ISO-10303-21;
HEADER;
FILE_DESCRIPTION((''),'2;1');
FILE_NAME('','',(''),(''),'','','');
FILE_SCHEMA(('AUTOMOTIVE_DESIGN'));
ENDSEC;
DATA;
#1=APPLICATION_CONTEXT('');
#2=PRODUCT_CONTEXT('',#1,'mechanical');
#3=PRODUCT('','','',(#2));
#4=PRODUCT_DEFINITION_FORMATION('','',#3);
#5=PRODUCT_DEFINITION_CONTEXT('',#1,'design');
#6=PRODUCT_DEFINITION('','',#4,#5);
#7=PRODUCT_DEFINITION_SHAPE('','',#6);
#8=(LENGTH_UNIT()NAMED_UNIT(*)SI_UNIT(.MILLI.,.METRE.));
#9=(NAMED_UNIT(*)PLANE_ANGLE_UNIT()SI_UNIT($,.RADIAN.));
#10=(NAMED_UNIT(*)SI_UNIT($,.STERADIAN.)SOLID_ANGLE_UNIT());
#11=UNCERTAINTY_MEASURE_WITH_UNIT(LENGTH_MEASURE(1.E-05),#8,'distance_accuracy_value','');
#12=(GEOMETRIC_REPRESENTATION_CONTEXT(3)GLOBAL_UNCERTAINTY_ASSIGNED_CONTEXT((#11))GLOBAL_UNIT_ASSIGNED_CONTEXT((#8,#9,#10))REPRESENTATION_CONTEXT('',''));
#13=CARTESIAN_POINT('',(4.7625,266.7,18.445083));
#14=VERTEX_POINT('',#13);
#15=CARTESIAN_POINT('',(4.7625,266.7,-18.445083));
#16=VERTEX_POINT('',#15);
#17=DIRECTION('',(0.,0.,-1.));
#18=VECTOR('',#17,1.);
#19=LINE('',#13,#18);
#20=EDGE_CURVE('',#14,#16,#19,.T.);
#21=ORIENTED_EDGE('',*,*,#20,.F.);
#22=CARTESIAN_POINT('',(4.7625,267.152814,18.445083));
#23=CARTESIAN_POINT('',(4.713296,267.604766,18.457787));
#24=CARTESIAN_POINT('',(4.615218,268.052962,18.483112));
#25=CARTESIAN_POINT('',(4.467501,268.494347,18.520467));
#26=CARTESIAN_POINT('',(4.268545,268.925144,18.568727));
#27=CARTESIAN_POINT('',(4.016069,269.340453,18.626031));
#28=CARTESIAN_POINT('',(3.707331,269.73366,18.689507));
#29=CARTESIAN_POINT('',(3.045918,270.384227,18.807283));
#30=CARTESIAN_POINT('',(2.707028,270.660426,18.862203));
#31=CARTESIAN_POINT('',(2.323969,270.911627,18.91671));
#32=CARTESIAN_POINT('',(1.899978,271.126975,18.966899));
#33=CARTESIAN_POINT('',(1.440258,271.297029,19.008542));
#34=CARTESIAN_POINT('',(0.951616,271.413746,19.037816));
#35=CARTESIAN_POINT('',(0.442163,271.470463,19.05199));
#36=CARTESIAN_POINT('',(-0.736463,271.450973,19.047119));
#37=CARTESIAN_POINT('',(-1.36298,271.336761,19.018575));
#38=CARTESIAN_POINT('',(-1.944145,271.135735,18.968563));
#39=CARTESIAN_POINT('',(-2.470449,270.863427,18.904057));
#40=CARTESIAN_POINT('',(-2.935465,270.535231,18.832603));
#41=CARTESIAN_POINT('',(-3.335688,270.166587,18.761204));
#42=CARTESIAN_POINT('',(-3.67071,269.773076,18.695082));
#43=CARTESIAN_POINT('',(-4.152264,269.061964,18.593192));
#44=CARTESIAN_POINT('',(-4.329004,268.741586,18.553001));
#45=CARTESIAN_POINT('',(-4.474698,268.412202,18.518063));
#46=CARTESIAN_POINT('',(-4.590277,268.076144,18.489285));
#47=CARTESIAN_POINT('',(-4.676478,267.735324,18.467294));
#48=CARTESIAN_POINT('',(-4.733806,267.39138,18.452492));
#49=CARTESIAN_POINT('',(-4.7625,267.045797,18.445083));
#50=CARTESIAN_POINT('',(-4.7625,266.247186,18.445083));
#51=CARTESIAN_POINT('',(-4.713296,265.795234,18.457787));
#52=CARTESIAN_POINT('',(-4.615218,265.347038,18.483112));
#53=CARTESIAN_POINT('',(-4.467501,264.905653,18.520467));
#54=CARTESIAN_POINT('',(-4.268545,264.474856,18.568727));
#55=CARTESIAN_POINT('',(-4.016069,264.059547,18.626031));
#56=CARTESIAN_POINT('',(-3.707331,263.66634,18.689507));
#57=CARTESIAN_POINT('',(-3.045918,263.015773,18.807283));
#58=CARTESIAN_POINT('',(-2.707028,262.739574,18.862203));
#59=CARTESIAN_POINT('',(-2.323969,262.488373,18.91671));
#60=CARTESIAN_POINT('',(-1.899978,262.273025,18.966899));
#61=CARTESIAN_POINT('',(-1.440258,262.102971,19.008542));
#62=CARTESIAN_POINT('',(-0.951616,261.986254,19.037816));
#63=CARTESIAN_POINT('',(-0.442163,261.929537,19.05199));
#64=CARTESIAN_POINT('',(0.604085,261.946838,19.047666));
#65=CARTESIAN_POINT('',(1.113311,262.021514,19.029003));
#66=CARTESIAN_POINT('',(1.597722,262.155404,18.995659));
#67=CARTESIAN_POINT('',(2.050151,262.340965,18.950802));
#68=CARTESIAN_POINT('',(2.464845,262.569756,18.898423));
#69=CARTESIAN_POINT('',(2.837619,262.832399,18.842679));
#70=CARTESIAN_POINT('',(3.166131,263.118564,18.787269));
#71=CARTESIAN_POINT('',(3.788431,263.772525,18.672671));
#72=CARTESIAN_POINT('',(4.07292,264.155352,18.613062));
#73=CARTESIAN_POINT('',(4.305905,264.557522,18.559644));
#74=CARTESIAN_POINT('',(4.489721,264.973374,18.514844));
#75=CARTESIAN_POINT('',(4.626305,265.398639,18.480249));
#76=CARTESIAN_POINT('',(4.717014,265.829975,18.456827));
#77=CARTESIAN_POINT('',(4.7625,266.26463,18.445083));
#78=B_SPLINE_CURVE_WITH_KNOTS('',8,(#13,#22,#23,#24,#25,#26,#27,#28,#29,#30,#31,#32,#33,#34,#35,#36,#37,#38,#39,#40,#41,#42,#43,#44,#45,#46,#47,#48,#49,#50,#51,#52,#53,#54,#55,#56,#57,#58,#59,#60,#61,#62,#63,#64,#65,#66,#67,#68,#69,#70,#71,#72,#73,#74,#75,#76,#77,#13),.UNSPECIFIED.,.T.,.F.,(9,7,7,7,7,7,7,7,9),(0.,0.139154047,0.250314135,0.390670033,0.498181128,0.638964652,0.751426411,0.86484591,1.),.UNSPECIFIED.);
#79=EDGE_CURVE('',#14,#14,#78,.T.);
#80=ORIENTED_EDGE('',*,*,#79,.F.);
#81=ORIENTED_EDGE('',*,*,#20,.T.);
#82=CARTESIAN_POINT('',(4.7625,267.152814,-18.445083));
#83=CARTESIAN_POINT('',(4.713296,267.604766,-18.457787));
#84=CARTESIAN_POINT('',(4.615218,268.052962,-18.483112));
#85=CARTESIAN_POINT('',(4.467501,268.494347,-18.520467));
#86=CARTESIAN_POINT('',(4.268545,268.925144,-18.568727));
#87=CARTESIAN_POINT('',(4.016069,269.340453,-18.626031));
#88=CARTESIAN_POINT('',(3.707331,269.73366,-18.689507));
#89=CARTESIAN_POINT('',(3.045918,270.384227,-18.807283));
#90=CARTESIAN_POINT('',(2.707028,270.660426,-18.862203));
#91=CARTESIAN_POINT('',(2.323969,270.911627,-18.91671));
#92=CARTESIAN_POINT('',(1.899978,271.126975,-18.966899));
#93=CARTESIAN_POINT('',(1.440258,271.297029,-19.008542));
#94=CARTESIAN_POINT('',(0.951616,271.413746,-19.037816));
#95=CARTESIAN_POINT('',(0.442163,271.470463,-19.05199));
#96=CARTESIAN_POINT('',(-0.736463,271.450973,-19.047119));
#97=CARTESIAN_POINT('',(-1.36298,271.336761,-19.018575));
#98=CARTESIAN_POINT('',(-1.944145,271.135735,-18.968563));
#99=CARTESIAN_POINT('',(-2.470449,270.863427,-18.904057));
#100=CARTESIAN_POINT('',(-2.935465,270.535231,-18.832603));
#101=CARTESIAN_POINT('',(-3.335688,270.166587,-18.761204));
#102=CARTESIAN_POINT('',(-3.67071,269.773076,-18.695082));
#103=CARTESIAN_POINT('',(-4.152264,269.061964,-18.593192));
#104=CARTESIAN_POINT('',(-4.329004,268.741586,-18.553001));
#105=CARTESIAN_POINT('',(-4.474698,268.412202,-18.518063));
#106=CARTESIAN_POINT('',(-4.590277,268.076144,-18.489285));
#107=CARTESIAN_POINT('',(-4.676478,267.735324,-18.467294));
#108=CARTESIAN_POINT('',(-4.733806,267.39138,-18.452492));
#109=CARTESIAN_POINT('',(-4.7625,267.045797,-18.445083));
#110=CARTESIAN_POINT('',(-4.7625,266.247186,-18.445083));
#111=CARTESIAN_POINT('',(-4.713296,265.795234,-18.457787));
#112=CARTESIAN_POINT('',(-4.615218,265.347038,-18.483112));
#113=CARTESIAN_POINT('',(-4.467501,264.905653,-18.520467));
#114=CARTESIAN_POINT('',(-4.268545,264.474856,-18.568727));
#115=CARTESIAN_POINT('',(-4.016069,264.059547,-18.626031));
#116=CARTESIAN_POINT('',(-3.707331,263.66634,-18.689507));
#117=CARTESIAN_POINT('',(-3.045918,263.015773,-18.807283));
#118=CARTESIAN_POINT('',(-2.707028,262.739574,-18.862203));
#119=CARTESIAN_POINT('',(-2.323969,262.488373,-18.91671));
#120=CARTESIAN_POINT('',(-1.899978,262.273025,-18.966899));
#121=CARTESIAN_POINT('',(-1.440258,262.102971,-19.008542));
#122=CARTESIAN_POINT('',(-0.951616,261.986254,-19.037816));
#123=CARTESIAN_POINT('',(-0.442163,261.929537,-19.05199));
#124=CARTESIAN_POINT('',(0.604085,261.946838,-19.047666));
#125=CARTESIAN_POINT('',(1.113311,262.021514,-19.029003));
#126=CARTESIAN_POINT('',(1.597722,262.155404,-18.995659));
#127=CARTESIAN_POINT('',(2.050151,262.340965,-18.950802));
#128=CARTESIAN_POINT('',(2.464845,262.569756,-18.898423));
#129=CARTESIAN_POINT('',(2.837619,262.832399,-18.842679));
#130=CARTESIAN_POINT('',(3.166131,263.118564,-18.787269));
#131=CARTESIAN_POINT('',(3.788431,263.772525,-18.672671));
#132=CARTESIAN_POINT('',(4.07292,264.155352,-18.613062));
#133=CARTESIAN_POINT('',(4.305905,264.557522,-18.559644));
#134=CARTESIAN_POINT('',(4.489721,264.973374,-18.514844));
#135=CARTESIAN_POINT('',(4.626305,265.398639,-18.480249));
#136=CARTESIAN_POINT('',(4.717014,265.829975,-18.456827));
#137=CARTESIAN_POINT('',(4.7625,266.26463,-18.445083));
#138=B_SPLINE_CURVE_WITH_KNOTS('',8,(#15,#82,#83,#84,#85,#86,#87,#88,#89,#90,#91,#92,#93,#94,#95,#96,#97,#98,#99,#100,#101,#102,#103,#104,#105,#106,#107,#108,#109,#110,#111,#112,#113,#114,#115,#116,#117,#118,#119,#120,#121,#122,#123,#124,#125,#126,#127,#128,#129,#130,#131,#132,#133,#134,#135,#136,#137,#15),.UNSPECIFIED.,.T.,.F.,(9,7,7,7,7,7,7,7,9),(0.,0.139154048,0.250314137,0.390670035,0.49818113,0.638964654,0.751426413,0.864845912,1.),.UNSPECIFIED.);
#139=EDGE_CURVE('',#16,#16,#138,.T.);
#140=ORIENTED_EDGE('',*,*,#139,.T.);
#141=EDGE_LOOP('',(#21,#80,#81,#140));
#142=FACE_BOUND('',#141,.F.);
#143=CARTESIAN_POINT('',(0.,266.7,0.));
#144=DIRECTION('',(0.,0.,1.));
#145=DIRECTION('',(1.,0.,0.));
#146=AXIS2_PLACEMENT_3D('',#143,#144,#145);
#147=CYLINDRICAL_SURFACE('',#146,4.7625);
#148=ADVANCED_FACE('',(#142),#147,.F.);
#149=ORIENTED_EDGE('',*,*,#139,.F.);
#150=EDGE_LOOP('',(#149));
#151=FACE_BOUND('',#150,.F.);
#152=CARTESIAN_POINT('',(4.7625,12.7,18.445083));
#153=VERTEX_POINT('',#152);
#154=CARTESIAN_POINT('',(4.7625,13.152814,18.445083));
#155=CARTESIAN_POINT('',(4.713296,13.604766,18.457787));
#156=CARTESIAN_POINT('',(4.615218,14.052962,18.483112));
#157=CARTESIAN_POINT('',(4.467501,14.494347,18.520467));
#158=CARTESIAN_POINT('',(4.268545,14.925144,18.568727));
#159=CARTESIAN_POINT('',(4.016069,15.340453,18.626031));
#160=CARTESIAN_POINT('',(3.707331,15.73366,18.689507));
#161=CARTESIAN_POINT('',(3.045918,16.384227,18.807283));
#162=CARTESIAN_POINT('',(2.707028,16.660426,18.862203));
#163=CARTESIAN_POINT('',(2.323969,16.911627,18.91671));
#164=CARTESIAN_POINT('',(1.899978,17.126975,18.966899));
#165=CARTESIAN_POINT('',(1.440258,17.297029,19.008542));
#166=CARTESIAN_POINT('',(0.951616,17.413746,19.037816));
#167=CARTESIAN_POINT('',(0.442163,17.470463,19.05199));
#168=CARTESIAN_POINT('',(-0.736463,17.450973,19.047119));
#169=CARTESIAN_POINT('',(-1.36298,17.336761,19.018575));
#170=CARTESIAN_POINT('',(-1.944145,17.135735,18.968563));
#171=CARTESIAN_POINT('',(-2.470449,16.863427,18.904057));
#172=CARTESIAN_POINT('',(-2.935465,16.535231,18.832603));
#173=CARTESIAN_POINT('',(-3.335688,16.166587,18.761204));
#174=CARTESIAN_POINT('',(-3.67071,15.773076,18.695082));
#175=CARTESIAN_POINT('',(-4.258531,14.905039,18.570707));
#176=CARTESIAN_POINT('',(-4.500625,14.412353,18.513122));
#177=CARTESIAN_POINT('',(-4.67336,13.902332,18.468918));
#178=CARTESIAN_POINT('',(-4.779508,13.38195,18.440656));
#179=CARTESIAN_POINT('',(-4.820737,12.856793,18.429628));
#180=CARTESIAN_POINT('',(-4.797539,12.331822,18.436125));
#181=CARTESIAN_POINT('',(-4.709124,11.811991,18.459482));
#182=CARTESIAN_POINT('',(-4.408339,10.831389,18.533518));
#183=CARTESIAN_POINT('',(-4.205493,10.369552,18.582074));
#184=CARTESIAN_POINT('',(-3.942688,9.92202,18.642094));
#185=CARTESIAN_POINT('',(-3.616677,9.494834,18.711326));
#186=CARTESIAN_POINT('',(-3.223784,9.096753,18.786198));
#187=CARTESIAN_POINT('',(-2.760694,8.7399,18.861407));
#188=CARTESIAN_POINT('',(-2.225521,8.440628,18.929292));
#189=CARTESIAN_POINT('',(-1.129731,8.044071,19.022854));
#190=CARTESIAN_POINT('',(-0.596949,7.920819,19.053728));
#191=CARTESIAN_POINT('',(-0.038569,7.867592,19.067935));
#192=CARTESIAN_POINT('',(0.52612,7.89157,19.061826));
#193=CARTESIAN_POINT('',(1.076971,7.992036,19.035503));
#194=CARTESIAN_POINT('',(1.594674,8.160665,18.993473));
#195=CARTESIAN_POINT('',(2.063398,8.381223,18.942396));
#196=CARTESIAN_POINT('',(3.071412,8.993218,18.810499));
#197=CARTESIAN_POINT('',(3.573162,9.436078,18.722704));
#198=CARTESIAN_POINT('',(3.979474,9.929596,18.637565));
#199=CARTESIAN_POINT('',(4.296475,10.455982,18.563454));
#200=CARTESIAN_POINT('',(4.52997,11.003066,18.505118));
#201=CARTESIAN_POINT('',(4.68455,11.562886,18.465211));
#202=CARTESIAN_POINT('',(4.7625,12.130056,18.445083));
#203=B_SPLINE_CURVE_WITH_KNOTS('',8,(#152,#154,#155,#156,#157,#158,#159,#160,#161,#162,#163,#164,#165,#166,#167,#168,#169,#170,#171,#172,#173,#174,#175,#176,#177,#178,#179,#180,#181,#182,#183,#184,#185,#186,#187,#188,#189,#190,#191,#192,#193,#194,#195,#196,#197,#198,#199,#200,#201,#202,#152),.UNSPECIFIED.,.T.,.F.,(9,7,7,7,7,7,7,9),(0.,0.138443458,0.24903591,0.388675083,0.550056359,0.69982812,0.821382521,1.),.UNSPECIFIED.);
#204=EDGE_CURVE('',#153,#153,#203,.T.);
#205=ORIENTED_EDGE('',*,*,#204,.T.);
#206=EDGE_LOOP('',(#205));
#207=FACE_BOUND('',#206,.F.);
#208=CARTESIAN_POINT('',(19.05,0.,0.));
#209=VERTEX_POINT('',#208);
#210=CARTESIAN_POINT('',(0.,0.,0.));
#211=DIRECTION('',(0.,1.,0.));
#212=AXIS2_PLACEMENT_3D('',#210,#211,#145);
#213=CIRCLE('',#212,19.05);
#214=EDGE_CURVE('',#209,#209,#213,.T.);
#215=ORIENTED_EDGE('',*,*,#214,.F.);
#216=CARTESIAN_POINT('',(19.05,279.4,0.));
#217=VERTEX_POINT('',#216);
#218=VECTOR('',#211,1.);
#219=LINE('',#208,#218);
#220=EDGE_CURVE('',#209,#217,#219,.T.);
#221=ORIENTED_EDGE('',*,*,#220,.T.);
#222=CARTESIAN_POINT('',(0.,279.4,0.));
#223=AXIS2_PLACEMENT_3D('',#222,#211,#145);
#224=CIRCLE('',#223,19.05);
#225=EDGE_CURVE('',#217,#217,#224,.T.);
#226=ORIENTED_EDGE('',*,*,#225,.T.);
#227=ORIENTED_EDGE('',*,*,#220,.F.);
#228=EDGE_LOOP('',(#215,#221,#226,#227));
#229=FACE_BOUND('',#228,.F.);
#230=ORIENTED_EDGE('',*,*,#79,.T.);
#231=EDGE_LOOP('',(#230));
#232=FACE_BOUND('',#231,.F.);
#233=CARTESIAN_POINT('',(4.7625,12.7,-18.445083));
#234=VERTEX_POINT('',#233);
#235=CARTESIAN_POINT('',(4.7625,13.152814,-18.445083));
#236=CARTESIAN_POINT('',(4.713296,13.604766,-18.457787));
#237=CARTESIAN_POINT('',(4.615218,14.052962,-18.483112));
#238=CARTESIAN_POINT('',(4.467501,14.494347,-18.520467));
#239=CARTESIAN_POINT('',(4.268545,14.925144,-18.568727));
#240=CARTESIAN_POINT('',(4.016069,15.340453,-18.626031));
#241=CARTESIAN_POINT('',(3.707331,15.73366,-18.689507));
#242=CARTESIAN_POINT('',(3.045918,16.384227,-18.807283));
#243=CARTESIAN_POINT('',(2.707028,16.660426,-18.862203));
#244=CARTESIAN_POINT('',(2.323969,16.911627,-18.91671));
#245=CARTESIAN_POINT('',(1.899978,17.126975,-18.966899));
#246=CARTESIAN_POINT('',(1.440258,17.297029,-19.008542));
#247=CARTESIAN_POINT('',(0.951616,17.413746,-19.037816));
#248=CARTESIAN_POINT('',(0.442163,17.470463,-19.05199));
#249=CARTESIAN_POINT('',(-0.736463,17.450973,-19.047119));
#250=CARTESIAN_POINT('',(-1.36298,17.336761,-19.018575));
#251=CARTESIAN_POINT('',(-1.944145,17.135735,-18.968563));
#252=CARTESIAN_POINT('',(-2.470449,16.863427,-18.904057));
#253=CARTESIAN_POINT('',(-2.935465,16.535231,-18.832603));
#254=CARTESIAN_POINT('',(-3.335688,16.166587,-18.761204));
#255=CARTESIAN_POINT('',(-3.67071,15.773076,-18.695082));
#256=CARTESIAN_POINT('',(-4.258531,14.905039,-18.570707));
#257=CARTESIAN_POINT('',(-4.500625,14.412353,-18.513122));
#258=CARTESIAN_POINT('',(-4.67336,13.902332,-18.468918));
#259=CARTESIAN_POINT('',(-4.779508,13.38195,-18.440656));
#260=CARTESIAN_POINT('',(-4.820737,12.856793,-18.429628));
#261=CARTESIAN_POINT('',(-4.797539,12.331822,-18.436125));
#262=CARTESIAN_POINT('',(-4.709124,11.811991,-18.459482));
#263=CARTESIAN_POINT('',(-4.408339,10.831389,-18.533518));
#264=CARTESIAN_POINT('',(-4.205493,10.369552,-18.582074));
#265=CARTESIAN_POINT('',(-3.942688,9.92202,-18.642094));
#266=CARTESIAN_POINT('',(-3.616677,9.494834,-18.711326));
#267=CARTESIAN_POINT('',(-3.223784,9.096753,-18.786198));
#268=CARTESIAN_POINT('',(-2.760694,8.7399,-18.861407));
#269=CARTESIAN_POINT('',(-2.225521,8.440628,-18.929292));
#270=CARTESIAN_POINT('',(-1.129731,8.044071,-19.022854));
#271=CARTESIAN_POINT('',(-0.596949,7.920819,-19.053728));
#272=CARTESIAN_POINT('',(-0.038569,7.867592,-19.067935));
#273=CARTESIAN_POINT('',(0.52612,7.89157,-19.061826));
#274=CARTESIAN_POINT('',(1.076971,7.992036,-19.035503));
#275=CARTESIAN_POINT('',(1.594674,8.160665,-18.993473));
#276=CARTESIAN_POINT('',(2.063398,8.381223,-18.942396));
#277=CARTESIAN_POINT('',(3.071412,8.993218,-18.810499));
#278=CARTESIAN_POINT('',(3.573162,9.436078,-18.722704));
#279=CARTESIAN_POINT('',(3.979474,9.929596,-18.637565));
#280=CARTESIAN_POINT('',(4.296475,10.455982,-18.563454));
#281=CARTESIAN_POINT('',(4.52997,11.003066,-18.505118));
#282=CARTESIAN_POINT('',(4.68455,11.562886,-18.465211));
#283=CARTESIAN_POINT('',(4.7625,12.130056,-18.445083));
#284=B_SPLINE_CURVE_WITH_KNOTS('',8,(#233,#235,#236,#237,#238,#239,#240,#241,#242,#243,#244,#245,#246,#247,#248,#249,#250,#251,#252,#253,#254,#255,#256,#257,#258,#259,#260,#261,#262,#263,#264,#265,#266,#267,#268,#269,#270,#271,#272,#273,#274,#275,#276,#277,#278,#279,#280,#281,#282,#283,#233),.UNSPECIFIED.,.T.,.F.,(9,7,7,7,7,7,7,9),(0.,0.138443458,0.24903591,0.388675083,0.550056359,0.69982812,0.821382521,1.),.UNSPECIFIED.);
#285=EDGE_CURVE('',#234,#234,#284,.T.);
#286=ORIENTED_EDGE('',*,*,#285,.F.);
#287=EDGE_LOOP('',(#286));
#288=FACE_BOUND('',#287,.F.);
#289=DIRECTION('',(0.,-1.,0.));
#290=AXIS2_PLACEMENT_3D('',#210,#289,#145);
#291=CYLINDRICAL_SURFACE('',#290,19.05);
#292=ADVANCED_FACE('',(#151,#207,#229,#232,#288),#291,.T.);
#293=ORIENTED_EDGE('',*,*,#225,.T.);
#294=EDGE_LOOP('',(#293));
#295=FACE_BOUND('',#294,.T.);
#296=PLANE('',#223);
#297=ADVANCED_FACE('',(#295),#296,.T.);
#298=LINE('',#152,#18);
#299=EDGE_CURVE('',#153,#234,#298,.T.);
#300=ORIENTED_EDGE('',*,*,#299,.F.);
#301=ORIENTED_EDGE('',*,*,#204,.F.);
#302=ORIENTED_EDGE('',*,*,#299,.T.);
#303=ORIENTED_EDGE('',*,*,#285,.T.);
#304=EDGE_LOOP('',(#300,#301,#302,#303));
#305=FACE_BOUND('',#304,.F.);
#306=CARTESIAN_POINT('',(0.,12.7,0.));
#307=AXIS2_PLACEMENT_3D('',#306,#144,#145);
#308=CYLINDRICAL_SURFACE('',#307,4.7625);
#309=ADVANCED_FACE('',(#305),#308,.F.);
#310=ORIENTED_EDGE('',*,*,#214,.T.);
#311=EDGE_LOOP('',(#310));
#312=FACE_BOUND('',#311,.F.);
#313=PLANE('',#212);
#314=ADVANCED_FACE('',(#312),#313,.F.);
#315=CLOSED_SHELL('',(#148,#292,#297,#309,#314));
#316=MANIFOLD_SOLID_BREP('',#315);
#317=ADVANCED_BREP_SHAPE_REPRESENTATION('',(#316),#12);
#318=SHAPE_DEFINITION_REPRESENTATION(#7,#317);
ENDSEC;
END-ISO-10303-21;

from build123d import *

# Parameters (mm, degrees)
SKETCH1_R               = 19.05
BOSS_EXTRUDE1_DEPTH     = 279.4
SKETCH2_R               = 4.7625
CUT_EXTRUDE1_DEPTH      = 20.05
CUT_EXTRUDE1_DEPTH_BACK = 20.05


with BuildPart() as part:
    # Sketch1 → Boss-Extrude1 (new body)
    with BuildSketch(Plane(origin=(0, 0, 0), x_dir=(1, 0, 0), z_dir=(0, 1, 0))):
        Circle(SKETCH1_R)
    extrude(amount=BOSS_EXTRUDE1_DEPTH)

    # Sketch2 → Cut-Extrude1 (cut, two sides)
    with BuildSketch(Plane.XY) as cut_extrude1_sk:
        with Locations((0, 266.7)):
            Circle(SKETCH2_R)
        with Locations((0, 12.7)):
            Circle(SKETCH2_R)
    extrude(amount=CUT_EXTRUDE1_DEPTH, mode=Mode.SUBTRACT)
    extrude(cut_extrude1_sk.sketch, amount=-CUT_EXTRUDE1_DEPTH_BACK, mode=Mode.SUBTRACT)


solid = part.part
